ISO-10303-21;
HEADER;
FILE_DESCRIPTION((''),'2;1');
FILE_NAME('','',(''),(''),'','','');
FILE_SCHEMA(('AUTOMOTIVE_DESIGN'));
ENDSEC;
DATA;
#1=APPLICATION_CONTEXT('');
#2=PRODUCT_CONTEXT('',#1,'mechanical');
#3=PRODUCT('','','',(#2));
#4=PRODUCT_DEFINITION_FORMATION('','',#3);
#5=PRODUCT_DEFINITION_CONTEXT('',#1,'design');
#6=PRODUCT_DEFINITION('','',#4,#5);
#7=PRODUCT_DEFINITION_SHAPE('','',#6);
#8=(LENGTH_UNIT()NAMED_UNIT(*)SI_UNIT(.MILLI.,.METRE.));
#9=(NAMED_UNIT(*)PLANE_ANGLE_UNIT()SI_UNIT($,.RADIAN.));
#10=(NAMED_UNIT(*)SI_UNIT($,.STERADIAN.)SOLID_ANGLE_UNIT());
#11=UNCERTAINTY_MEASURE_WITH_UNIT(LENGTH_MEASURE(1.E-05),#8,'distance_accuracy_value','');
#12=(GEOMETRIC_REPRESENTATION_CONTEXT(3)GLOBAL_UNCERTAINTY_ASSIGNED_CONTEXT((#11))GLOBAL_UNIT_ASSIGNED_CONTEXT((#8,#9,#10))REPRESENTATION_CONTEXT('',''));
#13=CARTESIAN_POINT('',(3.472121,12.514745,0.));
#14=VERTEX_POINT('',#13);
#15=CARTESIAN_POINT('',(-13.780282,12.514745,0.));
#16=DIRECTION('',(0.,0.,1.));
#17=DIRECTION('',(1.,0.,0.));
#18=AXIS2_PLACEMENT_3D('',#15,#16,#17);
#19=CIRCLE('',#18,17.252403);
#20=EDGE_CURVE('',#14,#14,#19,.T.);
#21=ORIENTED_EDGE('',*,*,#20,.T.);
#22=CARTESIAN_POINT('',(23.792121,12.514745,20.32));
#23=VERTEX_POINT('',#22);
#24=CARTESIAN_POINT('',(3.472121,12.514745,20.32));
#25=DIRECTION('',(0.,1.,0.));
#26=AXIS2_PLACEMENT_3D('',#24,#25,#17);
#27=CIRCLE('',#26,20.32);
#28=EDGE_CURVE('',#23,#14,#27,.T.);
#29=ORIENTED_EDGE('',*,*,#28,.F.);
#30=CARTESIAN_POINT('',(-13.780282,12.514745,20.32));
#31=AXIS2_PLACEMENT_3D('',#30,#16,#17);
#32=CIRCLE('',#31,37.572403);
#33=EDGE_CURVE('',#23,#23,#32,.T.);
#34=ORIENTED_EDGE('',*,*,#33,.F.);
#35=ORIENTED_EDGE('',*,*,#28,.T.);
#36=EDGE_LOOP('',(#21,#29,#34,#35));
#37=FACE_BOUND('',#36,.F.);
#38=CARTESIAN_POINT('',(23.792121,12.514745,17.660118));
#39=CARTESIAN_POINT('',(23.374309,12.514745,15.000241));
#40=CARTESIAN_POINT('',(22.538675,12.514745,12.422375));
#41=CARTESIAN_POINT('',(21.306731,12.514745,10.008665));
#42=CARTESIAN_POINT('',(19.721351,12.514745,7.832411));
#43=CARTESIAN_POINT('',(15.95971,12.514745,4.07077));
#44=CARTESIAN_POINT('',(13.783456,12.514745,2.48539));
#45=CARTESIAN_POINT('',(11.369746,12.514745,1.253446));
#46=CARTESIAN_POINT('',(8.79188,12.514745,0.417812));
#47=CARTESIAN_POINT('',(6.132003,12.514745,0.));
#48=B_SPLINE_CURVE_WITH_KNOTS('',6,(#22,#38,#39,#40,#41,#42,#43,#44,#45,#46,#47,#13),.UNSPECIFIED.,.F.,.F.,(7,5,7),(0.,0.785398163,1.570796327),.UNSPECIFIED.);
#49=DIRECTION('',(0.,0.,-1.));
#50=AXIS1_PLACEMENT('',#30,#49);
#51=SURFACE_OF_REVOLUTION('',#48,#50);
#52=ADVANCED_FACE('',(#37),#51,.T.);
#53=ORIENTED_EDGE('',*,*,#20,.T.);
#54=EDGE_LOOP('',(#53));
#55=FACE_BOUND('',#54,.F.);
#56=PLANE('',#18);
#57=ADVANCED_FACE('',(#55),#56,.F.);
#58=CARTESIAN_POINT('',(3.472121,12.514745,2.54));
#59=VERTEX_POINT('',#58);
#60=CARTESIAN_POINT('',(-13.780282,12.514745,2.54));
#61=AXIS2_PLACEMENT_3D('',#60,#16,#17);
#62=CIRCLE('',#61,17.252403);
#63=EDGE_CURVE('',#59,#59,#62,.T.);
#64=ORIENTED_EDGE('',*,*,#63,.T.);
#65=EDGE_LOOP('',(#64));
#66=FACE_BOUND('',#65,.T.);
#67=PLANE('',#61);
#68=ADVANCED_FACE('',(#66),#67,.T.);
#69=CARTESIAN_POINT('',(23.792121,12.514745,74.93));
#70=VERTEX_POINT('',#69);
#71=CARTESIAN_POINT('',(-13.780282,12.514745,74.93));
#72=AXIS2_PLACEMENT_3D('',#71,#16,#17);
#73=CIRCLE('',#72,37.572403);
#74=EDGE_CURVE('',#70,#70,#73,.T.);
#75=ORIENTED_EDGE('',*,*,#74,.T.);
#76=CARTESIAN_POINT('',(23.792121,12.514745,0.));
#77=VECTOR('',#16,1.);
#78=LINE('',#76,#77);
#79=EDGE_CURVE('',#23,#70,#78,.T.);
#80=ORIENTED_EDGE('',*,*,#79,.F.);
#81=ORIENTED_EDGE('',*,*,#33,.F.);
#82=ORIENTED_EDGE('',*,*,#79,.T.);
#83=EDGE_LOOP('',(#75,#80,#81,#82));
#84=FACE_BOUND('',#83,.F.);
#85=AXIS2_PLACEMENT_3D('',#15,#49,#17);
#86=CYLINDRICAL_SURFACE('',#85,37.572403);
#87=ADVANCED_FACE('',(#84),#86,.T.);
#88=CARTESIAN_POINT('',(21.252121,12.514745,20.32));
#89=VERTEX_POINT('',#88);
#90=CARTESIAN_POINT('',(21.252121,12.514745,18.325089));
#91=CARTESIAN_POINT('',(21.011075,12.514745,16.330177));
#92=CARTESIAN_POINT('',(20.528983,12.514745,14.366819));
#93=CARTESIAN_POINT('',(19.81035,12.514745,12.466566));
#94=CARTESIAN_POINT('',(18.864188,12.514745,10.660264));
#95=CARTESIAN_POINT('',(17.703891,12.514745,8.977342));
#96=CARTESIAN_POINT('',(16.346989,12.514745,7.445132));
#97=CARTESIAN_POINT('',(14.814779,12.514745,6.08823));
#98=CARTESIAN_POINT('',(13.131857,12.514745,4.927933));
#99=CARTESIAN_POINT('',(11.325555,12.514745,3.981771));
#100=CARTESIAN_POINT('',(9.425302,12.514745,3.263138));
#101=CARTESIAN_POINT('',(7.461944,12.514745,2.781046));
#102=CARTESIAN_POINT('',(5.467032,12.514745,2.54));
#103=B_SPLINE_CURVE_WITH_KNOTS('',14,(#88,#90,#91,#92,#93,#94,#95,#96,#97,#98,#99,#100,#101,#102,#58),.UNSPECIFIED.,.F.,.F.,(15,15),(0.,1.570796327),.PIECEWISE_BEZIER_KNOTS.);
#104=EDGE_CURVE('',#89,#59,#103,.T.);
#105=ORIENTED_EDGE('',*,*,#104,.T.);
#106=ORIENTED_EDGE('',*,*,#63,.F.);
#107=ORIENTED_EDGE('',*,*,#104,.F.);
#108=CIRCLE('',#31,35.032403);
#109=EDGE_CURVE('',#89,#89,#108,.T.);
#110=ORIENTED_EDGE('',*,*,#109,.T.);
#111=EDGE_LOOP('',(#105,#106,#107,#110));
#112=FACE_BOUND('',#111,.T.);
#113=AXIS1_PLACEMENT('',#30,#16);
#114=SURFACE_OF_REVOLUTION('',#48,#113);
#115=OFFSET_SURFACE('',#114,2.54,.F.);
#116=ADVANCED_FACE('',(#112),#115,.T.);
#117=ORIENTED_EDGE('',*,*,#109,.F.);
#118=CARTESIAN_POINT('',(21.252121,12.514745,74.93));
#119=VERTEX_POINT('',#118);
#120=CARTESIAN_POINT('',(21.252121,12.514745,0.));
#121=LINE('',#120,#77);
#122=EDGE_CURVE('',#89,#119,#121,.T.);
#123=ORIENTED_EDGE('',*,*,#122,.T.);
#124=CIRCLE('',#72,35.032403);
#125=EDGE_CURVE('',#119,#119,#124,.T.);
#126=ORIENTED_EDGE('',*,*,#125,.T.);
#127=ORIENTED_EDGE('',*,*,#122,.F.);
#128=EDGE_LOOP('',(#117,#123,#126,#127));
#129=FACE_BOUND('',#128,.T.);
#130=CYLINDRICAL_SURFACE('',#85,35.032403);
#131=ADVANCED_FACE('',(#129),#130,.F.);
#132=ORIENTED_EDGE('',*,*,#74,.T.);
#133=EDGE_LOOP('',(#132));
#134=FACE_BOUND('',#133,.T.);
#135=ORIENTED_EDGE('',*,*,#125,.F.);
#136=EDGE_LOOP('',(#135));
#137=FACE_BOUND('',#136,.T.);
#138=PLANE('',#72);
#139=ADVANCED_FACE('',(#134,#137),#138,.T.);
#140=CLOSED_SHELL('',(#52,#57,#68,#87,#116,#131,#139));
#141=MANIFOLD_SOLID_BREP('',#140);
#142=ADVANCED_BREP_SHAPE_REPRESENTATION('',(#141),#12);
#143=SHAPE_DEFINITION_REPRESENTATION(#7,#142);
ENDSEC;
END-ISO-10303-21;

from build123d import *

# Parameters (mm, degrees)
F0_R     = 37.572403
F1_DEPTH = 74.93
F2_R     = 20.32
F3_T     = -2.54


with BuildPart() as f1:
    # F0 (on Top) → F1 (new body)
    with BuildSketch(Plane.XY):
        with Locations((-13.780282, 12.514745)):
            Circle(F0_R)
    extrude(amount=F1_DEPTH)

    # F2
    f2_edges = [f1.edges().sort_by_distance(p)[0] for p in [
        (-51.352685, 12.514745, 0),
    ]]
    fillet(f2_edges, radius=F2_R)

    # F3
    f3_openings = [f1.faces().sort_by_distance(p)[0] for p in [
        (-13.780282, 12.514745, 74.93),
    ]]
    offset(amount=F3_T, openings=f3_openings)


solid = f1.part
